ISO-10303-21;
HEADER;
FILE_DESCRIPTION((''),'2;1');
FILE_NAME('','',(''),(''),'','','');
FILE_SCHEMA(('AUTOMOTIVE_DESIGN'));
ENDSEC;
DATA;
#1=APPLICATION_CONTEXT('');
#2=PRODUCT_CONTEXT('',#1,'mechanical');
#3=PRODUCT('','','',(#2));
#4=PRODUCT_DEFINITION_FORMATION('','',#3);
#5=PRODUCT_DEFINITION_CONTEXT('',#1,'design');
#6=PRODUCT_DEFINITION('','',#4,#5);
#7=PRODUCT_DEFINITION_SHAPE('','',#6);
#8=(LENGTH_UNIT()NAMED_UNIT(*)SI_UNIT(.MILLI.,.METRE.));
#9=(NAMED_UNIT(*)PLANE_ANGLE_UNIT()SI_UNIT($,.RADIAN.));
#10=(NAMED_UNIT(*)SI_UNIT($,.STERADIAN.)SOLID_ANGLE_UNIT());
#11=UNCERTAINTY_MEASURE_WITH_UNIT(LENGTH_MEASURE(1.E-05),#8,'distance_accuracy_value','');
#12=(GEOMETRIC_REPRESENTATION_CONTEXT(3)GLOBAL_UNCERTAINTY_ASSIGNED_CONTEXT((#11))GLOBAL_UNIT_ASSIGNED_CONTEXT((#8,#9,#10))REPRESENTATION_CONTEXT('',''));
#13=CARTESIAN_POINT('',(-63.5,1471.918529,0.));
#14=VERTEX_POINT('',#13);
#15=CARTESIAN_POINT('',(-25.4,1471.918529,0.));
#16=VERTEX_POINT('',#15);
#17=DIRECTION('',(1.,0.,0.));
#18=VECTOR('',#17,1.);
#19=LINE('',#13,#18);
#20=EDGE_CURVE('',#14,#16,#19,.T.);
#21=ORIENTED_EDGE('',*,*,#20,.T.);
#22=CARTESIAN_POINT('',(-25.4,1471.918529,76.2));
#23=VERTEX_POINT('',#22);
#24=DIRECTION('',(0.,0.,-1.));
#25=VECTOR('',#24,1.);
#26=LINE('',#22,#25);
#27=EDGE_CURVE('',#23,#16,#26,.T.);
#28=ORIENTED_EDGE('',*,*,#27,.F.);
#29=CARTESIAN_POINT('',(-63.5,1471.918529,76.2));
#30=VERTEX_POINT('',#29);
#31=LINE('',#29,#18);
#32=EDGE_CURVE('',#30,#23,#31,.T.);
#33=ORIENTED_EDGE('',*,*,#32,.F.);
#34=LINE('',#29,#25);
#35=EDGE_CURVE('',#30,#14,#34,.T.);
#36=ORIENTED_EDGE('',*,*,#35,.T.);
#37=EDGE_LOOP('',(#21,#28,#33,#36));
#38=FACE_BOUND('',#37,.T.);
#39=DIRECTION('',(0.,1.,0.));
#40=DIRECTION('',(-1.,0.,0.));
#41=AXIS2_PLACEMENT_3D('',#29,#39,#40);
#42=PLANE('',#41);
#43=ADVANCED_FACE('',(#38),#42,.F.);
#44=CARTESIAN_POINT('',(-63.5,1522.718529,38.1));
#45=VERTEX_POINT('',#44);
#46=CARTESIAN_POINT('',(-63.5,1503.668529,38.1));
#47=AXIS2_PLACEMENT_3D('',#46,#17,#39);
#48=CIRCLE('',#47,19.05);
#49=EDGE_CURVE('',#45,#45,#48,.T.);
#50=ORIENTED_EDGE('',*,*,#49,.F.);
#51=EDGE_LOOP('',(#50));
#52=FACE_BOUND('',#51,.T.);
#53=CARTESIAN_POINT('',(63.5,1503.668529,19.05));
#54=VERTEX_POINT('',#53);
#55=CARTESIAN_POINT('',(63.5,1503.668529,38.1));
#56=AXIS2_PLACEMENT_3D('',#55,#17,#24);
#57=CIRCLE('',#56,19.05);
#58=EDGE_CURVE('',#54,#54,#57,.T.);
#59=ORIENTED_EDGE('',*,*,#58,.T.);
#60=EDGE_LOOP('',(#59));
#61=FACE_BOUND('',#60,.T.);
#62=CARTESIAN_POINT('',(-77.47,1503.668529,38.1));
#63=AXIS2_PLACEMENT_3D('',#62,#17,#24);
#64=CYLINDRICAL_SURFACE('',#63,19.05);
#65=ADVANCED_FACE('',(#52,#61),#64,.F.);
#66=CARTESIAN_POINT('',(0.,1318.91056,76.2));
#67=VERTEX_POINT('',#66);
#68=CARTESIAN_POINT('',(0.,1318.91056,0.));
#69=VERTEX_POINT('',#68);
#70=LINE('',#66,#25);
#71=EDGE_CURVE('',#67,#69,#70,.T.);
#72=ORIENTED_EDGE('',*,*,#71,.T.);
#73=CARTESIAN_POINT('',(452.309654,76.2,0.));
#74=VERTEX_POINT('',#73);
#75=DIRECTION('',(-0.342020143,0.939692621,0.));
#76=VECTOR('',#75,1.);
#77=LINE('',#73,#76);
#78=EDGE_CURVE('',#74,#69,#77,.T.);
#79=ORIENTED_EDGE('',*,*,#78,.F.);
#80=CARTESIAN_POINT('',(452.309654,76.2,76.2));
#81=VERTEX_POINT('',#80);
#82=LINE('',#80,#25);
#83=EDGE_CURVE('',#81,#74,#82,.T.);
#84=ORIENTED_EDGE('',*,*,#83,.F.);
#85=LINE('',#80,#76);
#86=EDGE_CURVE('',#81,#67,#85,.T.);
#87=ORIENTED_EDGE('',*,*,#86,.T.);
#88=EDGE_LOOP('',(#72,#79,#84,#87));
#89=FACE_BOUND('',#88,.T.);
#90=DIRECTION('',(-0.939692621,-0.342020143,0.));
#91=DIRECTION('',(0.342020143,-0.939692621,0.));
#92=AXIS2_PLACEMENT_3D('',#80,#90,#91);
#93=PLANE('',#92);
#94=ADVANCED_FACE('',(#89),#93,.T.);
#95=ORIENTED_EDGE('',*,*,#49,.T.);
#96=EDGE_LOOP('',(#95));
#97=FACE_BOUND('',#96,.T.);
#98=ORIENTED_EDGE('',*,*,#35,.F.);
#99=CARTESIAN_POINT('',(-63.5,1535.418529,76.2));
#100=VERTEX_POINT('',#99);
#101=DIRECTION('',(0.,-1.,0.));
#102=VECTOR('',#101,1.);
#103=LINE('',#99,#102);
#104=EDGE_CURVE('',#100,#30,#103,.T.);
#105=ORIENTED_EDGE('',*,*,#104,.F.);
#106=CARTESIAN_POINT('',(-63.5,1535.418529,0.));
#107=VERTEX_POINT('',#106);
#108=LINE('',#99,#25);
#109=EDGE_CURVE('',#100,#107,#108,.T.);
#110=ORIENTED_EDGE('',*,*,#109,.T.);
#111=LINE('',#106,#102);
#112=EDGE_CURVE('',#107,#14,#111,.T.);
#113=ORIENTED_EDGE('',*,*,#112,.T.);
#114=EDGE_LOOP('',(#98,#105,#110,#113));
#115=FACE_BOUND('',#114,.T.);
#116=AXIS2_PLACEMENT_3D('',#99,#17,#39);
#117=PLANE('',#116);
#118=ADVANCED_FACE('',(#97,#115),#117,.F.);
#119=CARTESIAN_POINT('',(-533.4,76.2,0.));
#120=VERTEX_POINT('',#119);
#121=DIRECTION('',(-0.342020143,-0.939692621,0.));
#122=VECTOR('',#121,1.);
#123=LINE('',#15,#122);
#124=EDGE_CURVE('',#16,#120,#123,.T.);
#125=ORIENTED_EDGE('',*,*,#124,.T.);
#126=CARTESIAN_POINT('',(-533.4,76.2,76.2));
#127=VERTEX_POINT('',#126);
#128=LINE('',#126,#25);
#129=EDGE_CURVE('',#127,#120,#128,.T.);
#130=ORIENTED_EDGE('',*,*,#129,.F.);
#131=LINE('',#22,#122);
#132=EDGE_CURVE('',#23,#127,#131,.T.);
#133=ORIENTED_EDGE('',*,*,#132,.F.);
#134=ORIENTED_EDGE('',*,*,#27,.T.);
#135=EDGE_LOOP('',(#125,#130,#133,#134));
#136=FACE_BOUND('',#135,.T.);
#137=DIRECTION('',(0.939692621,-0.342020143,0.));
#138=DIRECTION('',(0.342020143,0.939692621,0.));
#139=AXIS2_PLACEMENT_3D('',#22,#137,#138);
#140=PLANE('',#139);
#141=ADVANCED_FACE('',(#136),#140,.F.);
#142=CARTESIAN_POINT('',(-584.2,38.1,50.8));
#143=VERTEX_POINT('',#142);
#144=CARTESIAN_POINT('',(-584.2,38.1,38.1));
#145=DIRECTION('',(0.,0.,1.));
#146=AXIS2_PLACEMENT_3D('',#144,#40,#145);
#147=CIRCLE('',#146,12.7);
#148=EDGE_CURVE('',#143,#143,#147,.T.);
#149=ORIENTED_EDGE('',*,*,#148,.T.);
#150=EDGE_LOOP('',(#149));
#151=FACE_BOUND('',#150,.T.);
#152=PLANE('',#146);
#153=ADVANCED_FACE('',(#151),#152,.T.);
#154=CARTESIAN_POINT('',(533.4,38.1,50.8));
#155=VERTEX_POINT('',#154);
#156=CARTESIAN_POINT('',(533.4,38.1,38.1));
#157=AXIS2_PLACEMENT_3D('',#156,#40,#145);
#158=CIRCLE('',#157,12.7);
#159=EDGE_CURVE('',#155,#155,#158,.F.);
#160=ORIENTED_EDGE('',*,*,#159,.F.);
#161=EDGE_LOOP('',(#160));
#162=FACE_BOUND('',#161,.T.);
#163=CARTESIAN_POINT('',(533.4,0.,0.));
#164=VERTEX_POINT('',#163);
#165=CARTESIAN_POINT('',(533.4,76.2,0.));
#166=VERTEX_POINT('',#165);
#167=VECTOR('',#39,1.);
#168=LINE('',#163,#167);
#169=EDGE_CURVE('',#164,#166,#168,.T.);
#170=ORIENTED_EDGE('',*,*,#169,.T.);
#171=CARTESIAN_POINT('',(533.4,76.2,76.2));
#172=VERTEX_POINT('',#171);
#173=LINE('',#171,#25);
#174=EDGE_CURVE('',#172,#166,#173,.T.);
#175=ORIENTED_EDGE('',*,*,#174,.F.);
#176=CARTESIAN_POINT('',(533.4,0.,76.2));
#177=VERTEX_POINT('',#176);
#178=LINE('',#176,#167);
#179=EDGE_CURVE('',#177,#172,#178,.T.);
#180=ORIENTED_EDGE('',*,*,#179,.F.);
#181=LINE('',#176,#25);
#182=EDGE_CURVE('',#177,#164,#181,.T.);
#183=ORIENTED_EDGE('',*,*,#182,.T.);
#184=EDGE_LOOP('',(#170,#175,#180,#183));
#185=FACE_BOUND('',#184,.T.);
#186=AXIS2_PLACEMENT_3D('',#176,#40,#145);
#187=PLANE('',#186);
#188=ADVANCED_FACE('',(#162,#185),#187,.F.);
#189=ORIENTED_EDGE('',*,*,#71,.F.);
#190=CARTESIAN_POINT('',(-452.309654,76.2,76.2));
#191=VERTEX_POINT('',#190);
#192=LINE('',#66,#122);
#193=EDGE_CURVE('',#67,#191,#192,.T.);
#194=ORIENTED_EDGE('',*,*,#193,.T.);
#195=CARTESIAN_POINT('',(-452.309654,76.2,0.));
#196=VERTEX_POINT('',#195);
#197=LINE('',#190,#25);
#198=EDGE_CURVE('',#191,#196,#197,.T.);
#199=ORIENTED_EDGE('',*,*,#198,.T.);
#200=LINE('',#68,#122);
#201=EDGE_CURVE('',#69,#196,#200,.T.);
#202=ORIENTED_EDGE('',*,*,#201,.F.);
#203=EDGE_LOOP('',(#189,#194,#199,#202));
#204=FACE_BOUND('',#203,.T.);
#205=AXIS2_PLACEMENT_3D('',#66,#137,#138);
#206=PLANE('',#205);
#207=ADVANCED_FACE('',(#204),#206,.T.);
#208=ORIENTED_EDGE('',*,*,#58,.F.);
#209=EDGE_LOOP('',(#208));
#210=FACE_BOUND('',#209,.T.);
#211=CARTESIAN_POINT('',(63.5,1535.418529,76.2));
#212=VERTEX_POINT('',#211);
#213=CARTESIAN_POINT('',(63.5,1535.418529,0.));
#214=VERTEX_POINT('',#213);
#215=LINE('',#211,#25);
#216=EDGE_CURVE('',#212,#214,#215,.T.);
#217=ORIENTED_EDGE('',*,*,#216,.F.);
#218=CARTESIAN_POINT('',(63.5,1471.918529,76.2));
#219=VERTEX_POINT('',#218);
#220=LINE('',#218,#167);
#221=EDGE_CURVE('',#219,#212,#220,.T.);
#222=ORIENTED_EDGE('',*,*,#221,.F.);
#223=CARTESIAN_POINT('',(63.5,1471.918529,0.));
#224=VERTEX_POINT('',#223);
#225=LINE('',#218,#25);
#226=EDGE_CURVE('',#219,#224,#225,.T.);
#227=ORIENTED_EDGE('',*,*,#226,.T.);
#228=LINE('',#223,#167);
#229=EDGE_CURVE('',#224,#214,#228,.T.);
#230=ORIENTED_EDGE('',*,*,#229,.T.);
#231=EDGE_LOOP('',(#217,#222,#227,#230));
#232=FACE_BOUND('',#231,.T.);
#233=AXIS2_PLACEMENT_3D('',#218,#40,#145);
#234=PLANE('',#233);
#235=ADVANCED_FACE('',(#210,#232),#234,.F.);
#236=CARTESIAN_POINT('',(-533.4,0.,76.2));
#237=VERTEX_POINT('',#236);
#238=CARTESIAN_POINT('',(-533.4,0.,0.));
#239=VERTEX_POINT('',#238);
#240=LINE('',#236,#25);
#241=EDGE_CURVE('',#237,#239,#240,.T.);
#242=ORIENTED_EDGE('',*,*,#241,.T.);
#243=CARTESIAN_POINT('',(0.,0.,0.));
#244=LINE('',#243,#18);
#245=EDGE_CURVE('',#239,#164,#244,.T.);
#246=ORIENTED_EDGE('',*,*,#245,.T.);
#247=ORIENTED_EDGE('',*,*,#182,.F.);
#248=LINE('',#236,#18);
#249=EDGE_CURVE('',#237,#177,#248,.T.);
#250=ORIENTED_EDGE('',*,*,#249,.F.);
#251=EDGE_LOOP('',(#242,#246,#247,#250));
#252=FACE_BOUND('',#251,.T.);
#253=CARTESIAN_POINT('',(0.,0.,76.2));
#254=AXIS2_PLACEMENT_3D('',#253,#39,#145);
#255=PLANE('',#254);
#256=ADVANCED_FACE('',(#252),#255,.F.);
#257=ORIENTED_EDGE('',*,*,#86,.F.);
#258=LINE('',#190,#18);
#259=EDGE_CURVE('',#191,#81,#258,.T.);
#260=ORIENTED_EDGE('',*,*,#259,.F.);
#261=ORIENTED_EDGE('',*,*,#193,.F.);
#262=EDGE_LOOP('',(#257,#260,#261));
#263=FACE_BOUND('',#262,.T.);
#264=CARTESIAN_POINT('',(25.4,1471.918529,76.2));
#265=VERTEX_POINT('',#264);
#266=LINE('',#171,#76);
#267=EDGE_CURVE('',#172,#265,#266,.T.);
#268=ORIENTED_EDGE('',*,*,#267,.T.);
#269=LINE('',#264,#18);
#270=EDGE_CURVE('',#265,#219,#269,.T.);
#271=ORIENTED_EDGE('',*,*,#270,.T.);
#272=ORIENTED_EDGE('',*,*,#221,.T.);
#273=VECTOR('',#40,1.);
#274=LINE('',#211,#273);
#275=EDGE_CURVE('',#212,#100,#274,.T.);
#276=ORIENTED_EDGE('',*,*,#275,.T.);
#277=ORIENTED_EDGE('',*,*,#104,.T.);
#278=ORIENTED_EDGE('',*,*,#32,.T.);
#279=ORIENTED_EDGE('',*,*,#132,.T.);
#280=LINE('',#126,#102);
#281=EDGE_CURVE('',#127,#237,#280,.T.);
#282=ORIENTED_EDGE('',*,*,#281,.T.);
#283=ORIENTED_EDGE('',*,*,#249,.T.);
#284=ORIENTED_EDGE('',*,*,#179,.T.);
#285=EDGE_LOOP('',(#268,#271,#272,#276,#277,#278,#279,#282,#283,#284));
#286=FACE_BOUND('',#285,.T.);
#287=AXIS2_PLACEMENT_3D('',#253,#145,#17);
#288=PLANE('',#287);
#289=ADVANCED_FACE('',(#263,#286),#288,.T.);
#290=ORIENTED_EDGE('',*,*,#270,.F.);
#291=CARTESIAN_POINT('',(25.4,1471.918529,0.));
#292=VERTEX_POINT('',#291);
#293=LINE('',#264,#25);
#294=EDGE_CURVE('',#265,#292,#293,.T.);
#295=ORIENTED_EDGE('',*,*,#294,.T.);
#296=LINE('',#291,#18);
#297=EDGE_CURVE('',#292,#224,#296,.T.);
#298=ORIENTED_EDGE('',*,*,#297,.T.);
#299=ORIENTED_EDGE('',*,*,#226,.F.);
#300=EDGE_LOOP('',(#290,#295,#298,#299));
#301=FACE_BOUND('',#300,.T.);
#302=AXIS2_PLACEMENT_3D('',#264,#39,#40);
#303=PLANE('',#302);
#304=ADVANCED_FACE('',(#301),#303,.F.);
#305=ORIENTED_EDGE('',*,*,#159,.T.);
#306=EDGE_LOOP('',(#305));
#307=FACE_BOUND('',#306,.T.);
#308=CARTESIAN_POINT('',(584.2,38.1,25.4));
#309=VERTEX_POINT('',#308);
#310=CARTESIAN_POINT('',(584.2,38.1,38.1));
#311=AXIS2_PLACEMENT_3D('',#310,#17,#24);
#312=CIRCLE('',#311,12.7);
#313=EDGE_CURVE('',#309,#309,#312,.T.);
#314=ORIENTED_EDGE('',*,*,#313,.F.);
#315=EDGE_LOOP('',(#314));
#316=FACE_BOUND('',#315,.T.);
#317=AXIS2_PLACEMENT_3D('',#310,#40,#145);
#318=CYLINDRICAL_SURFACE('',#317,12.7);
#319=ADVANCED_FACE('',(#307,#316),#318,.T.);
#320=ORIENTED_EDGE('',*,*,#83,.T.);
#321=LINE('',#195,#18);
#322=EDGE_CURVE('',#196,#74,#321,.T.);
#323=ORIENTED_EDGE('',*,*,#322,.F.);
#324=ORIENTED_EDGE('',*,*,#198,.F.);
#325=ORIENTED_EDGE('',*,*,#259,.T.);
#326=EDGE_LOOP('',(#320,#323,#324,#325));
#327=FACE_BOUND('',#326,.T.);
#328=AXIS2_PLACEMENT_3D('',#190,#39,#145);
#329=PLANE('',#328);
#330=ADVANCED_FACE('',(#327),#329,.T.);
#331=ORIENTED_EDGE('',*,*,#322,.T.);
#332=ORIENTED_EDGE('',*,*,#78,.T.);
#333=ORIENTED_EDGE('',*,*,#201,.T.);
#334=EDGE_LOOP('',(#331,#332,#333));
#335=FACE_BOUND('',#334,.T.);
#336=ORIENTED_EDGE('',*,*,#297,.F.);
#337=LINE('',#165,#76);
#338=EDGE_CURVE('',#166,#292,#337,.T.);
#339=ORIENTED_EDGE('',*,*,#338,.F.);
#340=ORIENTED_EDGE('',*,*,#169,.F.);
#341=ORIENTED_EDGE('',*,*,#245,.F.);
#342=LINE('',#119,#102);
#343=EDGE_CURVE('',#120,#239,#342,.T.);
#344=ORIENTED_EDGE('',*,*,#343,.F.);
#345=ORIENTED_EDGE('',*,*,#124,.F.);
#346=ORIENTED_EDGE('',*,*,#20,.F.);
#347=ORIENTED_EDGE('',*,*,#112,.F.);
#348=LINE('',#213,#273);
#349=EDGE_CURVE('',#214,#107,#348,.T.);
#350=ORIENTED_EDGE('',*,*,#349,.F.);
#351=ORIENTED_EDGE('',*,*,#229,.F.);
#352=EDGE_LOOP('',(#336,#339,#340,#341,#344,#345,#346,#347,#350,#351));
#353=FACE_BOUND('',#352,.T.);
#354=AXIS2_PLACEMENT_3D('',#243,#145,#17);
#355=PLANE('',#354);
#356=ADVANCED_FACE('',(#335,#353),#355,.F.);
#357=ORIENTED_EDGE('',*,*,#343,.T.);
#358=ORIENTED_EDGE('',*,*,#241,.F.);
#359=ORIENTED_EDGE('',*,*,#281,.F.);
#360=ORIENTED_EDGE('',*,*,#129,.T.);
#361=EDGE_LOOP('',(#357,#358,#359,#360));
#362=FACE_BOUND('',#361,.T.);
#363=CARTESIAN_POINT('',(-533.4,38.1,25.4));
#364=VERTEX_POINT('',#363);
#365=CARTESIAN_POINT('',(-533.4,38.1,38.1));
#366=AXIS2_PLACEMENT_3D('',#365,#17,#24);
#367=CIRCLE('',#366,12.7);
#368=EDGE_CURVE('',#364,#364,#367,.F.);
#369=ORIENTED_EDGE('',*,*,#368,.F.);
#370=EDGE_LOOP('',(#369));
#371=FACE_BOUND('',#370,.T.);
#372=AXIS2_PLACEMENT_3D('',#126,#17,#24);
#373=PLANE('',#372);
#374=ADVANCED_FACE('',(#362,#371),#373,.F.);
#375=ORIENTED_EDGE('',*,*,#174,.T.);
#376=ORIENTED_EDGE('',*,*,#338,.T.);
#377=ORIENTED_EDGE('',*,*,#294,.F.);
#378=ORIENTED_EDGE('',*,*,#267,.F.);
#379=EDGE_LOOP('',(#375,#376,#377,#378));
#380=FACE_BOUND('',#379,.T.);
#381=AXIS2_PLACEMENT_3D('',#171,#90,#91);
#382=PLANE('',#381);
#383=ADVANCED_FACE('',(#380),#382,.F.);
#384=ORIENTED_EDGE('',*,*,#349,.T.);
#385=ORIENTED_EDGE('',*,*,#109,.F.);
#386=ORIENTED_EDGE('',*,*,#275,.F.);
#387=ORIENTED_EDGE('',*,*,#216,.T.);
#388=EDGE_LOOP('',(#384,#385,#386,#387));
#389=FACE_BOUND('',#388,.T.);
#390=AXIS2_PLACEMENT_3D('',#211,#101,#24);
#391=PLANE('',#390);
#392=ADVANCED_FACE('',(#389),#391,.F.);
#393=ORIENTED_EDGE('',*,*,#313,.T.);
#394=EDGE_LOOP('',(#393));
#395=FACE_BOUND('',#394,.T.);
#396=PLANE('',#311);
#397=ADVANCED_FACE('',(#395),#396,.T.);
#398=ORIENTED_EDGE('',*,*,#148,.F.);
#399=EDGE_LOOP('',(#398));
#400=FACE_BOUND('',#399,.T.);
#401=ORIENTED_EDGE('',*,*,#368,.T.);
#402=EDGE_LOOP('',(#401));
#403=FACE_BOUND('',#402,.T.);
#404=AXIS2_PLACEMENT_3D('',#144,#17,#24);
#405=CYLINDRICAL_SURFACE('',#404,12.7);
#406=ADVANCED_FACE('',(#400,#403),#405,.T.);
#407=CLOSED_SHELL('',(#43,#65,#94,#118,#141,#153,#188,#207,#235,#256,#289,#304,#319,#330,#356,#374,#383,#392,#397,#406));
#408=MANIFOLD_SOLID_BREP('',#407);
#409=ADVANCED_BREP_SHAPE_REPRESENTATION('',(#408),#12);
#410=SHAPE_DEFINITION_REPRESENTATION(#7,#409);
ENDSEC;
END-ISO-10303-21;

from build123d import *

# Parameters (mm, degrees)
BOSS_EXTRUDE1_DEPTH = 76.2
SKETCH2_R           = 19.05
CUT_EXTRUDE1_DEPTH  = 140.97
SKETCH3_R           = 12.7
BOSS_EXTRUDE2_DEPTH = 50.8
SKETCH4_R           = 12.7
BOSS_EXTRUDE3_DEPTH = 50.8


with BuildPart() as part:
    # Sketch1 → Boss-Extrude1 (new body)
    with BuildSketch(Plane.XY):
        Polygon((0, 0), (533.4, 0), (533.4, 76.2), (25.4, 1471.918529083), (63.5, 1471.918529083), (63.5, 1535.418529083), (-63.5, 1535.418529083), (-63.5, 1471.918529083), (-25.4, 1471.918529083), (-533.4, 76.2), (-533.4, 0), align=None)
        Polygon((-452.309653737, 76.2), (452.309653737, 76.2), (0, 1318.910560245), align=None, mode=Mode.SUBTRACT)
    extrude(amount=BOSS_EXTRUDE1_DEPTH)

    # Sketch2 → Cut-Extrude1 (cut)
    with BuildSketch(Plane(origin=(63.5, 0, 0), x_dir=(0, 0, -1), z_dir=(1, 0, 0))):
        with Locations((-38.1, 1503.668529083)):
            Circle(SKETCH2_R)
    extrude(amount=-CUT_EXTRUDE1_DEPTH, mode=Mode.SUBTRACT)

    # Sketch3 → Boss-Extrude2 (add)
    with BuildSketch(Plane.ZY.offset(533.4)):
        with Locations((38.1, 38.1)):
            Circle(SKETCH3_R)
    extrude(amount=BOSS_EXTRUDE2_DEPTH)

    # Sketch4 → Boss-Extrude3 (add)
    with BuildSketch(Plane(origin=(533.4, 0, 0), x_dir=(0, 0, -1), z_dir=(1, 0, 0))):
        with Locations((-38.1, 38.1)):
            Circle(SKETCH4_R)
    extrude(amount=BOSS_EXTRUDE3_DEPTH)


solid = part.part
